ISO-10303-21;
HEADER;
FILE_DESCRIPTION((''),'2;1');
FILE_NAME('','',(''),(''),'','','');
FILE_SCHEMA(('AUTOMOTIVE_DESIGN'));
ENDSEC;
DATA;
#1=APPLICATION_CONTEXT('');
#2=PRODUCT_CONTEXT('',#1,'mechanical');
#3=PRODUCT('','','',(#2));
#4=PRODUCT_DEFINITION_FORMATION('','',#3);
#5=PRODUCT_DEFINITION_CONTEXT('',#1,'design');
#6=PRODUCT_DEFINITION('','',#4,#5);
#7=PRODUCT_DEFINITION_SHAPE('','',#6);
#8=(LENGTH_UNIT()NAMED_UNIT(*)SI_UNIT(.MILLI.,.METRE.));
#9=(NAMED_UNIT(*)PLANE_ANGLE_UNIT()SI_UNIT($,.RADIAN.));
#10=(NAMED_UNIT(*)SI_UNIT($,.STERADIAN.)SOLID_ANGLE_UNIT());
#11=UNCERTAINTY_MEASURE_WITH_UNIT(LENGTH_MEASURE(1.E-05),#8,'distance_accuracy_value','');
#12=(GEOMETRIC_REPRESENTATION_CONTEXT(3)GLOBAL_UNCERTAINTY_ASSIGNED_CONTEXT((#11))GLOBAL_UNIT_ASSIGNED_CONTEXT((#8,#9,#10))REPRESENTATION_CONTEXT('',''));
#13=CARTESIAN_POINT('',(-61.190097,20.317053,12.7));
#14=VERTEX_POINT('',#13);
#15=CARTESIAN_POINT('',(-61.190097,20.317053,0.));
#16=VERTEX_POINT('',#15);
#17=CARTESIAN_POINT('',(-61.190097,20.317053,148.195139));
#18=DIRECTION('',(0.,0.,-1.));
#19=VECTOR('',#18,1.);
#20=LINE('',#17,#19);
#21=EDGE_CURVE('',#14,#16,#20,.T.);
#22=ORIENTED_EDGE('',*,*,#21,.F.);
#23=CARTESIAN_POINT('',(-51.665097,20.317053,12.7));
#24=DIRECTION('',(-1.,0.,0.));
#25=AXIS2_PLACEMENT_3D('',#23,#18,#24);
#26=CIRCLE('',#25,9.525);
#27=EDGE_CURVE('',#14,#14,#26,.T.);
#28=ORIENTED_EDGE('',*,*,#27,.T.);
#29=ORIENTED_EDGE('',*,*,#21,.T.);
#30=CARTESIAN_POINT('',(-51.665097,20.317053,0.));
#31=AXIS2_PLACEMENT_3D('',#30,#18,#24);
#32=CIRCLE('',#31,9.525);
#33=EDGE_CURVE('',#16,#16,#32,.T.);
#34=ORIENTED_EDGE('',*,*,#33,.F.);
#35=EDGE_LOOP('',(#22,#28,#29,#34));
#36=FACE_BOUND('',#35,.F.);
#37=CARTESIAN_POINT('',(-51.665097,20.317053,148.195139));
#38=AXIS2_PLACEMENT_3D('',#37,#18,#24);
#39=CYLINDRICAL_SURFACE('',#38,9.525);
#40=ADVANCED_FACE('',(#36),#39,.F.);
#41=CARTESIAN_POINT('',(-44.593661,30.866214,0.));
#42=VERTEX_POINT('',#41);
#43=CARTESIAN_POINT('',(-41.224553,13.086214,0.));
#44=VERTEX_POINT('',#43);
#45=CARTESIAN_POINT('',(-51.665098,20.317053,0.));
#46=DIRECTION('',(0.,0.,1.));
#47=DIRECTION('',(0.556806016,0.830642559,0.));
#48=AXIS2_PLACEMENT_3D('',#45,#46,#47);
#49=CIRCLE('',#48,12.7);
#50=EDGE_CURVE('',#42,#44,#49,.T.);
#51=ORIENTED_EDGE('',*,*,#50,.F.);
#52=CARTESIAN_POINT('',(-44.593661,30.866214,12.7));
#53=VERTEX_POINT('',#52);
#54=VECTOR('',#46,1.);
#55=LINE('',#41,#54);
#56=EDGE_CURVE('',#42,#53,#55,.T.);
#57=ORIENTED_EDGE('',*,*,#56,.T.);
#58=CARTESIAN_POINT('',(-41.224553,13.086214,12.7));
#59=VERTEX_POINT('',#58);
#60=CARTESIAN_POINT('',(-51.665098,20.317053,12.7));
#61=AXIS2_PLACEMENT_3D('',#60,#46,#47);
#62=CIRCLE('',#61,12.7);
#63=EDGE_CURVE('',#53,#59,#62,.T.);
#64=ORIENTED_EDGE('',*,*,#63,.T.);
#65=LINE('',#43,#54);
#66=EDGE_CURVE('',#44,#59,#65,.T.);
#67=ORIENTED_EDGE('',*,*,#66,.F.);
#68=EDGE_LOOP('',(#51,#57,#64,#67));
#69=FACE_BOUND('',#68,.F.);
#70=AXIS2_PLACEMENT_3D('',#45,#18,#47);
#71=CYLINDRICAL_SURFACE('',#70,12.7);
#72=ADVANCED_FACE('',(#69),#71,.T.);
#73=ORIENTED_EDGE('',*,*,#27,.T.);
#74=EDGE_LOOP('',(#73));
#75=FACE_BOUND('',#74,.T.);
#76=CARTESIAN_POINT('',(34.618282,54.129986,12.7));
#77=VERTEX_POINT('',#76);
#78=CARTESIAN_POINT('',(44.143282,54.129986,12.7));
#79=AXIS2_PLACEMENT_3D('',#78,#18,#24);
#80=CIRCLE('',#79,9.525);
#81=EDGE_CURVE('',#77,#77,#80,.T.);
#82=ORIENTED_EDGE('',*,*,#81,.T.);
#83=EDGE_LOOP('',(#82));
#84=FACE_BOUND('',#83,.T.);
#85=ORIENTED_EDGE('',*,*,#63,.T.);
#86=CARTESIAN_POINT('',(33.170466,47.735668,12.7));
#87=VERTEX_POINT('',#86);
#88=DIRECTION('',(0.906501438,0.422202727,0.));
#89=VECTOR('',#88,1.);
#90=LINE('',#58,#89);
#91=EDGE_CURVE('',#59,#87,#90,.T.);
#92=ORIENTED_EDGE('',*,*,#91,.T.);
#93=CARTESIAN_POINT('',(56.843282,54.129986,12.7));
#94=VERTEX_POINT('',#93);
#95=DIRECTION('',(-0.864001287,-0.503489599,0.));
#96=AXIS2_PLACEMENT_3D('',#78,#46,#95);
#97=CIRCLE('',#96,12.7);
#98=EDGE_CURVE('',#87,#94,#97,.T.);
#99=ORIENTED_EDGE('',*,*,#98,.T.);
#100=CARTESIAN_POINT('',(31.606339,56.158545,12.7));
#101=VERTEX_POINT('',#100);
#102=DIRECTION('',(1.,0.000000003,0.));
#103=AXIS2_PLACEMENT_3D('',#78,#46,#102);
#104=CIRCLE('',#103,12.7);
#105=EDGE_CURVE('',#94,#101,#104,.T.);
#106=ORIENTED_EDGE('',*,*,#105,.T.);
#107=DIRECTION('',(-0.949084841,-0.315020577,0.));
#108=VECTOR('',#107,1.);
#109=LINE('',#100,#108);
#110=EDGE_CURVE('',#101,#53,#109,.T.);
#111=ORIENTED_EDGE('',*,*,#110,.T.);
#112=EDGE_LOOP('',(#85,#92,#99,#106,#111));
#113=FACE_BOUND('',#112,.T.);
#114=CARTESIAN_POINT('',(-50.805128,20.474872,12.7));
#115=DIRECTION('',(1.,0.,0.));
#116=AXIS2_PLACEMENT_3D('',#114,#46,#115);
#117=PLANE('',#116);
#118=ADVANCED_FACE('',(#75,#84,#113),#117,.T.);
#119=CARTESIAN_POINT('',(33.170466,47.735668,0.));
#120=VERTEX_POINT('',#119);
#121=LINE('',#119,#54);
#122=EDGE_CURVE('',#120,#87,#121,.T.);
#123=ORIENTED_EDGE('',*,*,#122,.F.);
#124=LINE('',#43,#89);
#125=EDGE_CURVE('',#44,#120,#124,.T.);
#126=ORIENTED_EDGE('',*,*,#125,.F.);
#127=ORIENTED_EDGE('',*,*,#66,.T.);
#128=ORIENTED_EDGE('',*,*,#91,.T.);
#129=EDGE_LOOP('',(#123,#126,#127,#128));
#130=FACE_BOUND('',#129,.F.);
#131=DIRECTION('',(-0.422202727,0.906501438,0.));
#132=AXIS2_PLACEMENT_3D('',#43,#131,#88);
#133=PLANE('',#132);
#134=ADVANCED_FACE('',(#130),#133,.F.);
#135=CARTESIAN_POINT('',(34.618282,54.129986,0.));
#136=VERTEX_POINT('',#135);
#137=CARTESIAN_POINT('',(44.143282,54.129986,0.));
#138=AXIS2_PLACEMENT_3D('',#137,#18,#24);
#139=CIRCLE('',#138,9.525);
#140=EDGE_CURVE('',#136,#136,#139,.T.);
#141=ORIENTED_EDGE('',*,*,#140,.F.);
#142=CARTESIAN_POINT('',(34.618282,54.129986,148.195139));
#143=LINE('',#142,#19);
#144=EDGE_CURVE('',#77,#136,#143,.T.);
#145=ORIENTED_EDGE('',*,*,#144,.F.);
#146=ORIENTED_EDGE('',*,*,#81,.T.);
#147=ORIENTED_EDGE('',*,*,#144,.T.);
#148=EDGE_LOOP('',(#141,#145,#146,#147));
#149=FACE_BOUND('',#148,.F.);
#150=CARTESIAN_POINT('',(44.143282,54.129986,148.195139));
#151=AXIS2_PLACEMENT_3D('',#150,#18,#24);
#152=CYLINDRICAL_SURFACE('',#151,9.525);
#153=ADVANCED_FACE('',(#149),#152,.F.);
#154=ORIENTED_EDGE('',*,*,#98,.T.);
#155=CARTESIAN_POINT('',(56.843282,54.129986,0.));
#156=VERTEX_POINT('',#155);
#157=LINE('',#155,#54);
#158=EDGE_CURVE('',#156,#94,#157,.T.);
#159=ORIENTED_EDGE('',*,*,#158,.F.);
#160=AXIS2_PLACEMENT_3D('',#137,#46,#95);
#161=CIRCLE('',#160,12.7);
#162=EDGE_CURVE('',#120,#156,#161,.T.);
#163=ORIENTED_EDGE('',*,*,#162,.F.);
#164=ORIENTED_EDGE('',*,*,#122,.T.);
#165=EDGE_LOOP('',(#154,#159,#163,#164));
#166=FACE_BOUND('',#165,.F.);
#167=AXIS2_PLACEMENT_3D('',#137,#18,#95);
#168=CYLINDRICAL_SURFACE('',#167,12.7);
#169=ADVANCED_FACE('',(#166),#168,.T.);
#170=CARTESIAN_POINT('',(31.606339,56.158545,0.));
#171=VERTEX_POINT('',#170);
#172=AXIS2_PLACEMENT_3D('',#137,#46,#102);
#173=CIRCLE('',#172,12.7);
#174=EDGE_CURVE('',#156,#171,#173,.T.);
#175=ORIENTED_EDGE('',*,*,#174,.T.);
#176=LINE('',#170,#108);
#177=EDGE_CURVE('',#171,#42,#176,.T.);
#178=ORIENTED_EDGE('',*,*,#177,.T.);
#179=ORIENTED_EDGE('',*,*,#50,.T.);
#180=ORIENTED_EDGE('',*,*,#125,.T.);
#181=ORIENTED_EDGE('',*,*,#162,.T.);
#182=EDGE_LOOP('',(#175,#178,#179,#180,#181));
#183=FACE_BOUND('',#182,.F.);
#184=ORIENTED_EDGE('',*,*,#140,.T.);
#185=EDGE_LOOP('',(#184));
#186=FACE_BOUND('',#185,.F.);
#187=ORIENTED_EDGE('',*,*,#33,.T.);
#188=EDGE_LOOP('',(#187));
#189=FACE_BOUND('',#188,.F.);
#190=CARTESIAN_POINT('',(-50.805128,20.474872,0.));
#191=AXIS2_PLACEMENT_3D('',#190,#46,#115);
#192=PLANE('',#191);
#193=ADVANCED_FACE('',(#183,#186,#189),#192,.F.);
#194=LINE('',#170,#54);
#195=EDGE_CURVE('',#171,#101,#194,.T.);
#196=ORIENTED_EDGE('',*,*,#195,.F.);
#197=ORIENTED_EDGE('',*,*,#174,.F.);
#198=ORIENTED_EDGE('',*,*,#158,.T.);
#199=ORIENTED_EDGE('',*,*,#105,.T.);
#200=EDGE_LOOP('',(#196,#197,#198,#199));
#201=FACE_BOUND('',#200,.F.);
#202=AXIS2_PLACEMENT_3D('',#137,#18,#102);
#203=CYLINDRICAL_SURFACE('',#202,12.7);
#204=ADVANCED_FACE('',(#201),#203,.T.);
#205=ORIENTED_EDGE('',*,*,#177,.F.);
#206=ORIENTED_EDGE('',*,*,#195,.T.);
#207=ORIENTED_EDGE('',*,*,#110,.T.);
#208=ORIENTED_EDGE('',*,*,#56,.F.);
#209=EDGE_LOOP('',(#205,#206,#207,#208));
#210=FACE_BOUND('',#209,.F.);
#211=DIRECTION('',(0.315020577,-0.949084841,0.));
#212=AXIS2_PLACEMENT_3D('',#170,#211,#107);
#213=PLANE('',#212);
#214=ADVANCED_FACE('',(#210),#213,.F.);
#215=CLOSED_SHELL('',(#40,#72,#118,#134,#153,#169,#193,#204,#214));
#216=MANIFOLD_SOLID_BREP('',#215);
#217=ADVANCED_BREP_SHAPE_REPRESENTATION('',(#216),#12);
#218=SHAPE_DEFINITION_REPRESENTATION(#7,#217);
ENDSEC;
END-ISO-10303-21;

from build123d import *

# Parameters (mm, degrees)
F1_DEPTH = 12.7
F3_D     = 19.05


with BuildPart() as f1:
    # F0 (on Top) → F1 (new body)
    with BuildSketch(Plane.XY):
        with BuildLine():
            ThreePointArc((-41.224553, 13.086214), (-39.543115, 16.529238), (-38.965097, 20.317053))
            ThreePointArc((-38.965097, 20.317053), (-40.460249, 26.295463), (-44.593661, 30.866214))
            ThreePointArc((-44.593661, 30.866214), (-64.143057, 17.952622), (-41.224553, 13.086214))
        make_face()
        with BuildLine():
            ThreePointArc((-44.593661, 30.866214), (-40.460249, 26.295463), (-38.965097, 20.317053))
            ThreePointArc((-38.965097, 20.317053), (-39.543115, 16.529238), (-41.224553, 13.086214))
            Line((-41.224553, 13.086214), (33.170466, 47.735668))
            ThreePointArc((33.170466, 47.735668), (31.656753, 51.811239), (31.606339, 56.158545))
            Line((31.606339, 56.158545), (-44.593661, 30.866214))
        make_face()
        with BuildLine():
            ThreePointArc((56.843282, 54.129986), (45.160833, 66.789156), (31.606339, 56.158545))
            ThreePointArc((31.606339, 56.158545), (31.656753, 51.811239), (33.170466, 47.735668))
            ThreePointArc((33.170466, 47.735668), (47.455021, 41.869383), (56.843282, 54.129986))
        make_face()
    extrude(amount=F1_DEPTH)

    # F3 (through all)
    with Locations(Plane.XY.offset(12.7)):
        with Locations((-51.665097, 20.317053), (44.143282, 54.129986)):
            Hole(F3_D / 2)


solid = f1.part
